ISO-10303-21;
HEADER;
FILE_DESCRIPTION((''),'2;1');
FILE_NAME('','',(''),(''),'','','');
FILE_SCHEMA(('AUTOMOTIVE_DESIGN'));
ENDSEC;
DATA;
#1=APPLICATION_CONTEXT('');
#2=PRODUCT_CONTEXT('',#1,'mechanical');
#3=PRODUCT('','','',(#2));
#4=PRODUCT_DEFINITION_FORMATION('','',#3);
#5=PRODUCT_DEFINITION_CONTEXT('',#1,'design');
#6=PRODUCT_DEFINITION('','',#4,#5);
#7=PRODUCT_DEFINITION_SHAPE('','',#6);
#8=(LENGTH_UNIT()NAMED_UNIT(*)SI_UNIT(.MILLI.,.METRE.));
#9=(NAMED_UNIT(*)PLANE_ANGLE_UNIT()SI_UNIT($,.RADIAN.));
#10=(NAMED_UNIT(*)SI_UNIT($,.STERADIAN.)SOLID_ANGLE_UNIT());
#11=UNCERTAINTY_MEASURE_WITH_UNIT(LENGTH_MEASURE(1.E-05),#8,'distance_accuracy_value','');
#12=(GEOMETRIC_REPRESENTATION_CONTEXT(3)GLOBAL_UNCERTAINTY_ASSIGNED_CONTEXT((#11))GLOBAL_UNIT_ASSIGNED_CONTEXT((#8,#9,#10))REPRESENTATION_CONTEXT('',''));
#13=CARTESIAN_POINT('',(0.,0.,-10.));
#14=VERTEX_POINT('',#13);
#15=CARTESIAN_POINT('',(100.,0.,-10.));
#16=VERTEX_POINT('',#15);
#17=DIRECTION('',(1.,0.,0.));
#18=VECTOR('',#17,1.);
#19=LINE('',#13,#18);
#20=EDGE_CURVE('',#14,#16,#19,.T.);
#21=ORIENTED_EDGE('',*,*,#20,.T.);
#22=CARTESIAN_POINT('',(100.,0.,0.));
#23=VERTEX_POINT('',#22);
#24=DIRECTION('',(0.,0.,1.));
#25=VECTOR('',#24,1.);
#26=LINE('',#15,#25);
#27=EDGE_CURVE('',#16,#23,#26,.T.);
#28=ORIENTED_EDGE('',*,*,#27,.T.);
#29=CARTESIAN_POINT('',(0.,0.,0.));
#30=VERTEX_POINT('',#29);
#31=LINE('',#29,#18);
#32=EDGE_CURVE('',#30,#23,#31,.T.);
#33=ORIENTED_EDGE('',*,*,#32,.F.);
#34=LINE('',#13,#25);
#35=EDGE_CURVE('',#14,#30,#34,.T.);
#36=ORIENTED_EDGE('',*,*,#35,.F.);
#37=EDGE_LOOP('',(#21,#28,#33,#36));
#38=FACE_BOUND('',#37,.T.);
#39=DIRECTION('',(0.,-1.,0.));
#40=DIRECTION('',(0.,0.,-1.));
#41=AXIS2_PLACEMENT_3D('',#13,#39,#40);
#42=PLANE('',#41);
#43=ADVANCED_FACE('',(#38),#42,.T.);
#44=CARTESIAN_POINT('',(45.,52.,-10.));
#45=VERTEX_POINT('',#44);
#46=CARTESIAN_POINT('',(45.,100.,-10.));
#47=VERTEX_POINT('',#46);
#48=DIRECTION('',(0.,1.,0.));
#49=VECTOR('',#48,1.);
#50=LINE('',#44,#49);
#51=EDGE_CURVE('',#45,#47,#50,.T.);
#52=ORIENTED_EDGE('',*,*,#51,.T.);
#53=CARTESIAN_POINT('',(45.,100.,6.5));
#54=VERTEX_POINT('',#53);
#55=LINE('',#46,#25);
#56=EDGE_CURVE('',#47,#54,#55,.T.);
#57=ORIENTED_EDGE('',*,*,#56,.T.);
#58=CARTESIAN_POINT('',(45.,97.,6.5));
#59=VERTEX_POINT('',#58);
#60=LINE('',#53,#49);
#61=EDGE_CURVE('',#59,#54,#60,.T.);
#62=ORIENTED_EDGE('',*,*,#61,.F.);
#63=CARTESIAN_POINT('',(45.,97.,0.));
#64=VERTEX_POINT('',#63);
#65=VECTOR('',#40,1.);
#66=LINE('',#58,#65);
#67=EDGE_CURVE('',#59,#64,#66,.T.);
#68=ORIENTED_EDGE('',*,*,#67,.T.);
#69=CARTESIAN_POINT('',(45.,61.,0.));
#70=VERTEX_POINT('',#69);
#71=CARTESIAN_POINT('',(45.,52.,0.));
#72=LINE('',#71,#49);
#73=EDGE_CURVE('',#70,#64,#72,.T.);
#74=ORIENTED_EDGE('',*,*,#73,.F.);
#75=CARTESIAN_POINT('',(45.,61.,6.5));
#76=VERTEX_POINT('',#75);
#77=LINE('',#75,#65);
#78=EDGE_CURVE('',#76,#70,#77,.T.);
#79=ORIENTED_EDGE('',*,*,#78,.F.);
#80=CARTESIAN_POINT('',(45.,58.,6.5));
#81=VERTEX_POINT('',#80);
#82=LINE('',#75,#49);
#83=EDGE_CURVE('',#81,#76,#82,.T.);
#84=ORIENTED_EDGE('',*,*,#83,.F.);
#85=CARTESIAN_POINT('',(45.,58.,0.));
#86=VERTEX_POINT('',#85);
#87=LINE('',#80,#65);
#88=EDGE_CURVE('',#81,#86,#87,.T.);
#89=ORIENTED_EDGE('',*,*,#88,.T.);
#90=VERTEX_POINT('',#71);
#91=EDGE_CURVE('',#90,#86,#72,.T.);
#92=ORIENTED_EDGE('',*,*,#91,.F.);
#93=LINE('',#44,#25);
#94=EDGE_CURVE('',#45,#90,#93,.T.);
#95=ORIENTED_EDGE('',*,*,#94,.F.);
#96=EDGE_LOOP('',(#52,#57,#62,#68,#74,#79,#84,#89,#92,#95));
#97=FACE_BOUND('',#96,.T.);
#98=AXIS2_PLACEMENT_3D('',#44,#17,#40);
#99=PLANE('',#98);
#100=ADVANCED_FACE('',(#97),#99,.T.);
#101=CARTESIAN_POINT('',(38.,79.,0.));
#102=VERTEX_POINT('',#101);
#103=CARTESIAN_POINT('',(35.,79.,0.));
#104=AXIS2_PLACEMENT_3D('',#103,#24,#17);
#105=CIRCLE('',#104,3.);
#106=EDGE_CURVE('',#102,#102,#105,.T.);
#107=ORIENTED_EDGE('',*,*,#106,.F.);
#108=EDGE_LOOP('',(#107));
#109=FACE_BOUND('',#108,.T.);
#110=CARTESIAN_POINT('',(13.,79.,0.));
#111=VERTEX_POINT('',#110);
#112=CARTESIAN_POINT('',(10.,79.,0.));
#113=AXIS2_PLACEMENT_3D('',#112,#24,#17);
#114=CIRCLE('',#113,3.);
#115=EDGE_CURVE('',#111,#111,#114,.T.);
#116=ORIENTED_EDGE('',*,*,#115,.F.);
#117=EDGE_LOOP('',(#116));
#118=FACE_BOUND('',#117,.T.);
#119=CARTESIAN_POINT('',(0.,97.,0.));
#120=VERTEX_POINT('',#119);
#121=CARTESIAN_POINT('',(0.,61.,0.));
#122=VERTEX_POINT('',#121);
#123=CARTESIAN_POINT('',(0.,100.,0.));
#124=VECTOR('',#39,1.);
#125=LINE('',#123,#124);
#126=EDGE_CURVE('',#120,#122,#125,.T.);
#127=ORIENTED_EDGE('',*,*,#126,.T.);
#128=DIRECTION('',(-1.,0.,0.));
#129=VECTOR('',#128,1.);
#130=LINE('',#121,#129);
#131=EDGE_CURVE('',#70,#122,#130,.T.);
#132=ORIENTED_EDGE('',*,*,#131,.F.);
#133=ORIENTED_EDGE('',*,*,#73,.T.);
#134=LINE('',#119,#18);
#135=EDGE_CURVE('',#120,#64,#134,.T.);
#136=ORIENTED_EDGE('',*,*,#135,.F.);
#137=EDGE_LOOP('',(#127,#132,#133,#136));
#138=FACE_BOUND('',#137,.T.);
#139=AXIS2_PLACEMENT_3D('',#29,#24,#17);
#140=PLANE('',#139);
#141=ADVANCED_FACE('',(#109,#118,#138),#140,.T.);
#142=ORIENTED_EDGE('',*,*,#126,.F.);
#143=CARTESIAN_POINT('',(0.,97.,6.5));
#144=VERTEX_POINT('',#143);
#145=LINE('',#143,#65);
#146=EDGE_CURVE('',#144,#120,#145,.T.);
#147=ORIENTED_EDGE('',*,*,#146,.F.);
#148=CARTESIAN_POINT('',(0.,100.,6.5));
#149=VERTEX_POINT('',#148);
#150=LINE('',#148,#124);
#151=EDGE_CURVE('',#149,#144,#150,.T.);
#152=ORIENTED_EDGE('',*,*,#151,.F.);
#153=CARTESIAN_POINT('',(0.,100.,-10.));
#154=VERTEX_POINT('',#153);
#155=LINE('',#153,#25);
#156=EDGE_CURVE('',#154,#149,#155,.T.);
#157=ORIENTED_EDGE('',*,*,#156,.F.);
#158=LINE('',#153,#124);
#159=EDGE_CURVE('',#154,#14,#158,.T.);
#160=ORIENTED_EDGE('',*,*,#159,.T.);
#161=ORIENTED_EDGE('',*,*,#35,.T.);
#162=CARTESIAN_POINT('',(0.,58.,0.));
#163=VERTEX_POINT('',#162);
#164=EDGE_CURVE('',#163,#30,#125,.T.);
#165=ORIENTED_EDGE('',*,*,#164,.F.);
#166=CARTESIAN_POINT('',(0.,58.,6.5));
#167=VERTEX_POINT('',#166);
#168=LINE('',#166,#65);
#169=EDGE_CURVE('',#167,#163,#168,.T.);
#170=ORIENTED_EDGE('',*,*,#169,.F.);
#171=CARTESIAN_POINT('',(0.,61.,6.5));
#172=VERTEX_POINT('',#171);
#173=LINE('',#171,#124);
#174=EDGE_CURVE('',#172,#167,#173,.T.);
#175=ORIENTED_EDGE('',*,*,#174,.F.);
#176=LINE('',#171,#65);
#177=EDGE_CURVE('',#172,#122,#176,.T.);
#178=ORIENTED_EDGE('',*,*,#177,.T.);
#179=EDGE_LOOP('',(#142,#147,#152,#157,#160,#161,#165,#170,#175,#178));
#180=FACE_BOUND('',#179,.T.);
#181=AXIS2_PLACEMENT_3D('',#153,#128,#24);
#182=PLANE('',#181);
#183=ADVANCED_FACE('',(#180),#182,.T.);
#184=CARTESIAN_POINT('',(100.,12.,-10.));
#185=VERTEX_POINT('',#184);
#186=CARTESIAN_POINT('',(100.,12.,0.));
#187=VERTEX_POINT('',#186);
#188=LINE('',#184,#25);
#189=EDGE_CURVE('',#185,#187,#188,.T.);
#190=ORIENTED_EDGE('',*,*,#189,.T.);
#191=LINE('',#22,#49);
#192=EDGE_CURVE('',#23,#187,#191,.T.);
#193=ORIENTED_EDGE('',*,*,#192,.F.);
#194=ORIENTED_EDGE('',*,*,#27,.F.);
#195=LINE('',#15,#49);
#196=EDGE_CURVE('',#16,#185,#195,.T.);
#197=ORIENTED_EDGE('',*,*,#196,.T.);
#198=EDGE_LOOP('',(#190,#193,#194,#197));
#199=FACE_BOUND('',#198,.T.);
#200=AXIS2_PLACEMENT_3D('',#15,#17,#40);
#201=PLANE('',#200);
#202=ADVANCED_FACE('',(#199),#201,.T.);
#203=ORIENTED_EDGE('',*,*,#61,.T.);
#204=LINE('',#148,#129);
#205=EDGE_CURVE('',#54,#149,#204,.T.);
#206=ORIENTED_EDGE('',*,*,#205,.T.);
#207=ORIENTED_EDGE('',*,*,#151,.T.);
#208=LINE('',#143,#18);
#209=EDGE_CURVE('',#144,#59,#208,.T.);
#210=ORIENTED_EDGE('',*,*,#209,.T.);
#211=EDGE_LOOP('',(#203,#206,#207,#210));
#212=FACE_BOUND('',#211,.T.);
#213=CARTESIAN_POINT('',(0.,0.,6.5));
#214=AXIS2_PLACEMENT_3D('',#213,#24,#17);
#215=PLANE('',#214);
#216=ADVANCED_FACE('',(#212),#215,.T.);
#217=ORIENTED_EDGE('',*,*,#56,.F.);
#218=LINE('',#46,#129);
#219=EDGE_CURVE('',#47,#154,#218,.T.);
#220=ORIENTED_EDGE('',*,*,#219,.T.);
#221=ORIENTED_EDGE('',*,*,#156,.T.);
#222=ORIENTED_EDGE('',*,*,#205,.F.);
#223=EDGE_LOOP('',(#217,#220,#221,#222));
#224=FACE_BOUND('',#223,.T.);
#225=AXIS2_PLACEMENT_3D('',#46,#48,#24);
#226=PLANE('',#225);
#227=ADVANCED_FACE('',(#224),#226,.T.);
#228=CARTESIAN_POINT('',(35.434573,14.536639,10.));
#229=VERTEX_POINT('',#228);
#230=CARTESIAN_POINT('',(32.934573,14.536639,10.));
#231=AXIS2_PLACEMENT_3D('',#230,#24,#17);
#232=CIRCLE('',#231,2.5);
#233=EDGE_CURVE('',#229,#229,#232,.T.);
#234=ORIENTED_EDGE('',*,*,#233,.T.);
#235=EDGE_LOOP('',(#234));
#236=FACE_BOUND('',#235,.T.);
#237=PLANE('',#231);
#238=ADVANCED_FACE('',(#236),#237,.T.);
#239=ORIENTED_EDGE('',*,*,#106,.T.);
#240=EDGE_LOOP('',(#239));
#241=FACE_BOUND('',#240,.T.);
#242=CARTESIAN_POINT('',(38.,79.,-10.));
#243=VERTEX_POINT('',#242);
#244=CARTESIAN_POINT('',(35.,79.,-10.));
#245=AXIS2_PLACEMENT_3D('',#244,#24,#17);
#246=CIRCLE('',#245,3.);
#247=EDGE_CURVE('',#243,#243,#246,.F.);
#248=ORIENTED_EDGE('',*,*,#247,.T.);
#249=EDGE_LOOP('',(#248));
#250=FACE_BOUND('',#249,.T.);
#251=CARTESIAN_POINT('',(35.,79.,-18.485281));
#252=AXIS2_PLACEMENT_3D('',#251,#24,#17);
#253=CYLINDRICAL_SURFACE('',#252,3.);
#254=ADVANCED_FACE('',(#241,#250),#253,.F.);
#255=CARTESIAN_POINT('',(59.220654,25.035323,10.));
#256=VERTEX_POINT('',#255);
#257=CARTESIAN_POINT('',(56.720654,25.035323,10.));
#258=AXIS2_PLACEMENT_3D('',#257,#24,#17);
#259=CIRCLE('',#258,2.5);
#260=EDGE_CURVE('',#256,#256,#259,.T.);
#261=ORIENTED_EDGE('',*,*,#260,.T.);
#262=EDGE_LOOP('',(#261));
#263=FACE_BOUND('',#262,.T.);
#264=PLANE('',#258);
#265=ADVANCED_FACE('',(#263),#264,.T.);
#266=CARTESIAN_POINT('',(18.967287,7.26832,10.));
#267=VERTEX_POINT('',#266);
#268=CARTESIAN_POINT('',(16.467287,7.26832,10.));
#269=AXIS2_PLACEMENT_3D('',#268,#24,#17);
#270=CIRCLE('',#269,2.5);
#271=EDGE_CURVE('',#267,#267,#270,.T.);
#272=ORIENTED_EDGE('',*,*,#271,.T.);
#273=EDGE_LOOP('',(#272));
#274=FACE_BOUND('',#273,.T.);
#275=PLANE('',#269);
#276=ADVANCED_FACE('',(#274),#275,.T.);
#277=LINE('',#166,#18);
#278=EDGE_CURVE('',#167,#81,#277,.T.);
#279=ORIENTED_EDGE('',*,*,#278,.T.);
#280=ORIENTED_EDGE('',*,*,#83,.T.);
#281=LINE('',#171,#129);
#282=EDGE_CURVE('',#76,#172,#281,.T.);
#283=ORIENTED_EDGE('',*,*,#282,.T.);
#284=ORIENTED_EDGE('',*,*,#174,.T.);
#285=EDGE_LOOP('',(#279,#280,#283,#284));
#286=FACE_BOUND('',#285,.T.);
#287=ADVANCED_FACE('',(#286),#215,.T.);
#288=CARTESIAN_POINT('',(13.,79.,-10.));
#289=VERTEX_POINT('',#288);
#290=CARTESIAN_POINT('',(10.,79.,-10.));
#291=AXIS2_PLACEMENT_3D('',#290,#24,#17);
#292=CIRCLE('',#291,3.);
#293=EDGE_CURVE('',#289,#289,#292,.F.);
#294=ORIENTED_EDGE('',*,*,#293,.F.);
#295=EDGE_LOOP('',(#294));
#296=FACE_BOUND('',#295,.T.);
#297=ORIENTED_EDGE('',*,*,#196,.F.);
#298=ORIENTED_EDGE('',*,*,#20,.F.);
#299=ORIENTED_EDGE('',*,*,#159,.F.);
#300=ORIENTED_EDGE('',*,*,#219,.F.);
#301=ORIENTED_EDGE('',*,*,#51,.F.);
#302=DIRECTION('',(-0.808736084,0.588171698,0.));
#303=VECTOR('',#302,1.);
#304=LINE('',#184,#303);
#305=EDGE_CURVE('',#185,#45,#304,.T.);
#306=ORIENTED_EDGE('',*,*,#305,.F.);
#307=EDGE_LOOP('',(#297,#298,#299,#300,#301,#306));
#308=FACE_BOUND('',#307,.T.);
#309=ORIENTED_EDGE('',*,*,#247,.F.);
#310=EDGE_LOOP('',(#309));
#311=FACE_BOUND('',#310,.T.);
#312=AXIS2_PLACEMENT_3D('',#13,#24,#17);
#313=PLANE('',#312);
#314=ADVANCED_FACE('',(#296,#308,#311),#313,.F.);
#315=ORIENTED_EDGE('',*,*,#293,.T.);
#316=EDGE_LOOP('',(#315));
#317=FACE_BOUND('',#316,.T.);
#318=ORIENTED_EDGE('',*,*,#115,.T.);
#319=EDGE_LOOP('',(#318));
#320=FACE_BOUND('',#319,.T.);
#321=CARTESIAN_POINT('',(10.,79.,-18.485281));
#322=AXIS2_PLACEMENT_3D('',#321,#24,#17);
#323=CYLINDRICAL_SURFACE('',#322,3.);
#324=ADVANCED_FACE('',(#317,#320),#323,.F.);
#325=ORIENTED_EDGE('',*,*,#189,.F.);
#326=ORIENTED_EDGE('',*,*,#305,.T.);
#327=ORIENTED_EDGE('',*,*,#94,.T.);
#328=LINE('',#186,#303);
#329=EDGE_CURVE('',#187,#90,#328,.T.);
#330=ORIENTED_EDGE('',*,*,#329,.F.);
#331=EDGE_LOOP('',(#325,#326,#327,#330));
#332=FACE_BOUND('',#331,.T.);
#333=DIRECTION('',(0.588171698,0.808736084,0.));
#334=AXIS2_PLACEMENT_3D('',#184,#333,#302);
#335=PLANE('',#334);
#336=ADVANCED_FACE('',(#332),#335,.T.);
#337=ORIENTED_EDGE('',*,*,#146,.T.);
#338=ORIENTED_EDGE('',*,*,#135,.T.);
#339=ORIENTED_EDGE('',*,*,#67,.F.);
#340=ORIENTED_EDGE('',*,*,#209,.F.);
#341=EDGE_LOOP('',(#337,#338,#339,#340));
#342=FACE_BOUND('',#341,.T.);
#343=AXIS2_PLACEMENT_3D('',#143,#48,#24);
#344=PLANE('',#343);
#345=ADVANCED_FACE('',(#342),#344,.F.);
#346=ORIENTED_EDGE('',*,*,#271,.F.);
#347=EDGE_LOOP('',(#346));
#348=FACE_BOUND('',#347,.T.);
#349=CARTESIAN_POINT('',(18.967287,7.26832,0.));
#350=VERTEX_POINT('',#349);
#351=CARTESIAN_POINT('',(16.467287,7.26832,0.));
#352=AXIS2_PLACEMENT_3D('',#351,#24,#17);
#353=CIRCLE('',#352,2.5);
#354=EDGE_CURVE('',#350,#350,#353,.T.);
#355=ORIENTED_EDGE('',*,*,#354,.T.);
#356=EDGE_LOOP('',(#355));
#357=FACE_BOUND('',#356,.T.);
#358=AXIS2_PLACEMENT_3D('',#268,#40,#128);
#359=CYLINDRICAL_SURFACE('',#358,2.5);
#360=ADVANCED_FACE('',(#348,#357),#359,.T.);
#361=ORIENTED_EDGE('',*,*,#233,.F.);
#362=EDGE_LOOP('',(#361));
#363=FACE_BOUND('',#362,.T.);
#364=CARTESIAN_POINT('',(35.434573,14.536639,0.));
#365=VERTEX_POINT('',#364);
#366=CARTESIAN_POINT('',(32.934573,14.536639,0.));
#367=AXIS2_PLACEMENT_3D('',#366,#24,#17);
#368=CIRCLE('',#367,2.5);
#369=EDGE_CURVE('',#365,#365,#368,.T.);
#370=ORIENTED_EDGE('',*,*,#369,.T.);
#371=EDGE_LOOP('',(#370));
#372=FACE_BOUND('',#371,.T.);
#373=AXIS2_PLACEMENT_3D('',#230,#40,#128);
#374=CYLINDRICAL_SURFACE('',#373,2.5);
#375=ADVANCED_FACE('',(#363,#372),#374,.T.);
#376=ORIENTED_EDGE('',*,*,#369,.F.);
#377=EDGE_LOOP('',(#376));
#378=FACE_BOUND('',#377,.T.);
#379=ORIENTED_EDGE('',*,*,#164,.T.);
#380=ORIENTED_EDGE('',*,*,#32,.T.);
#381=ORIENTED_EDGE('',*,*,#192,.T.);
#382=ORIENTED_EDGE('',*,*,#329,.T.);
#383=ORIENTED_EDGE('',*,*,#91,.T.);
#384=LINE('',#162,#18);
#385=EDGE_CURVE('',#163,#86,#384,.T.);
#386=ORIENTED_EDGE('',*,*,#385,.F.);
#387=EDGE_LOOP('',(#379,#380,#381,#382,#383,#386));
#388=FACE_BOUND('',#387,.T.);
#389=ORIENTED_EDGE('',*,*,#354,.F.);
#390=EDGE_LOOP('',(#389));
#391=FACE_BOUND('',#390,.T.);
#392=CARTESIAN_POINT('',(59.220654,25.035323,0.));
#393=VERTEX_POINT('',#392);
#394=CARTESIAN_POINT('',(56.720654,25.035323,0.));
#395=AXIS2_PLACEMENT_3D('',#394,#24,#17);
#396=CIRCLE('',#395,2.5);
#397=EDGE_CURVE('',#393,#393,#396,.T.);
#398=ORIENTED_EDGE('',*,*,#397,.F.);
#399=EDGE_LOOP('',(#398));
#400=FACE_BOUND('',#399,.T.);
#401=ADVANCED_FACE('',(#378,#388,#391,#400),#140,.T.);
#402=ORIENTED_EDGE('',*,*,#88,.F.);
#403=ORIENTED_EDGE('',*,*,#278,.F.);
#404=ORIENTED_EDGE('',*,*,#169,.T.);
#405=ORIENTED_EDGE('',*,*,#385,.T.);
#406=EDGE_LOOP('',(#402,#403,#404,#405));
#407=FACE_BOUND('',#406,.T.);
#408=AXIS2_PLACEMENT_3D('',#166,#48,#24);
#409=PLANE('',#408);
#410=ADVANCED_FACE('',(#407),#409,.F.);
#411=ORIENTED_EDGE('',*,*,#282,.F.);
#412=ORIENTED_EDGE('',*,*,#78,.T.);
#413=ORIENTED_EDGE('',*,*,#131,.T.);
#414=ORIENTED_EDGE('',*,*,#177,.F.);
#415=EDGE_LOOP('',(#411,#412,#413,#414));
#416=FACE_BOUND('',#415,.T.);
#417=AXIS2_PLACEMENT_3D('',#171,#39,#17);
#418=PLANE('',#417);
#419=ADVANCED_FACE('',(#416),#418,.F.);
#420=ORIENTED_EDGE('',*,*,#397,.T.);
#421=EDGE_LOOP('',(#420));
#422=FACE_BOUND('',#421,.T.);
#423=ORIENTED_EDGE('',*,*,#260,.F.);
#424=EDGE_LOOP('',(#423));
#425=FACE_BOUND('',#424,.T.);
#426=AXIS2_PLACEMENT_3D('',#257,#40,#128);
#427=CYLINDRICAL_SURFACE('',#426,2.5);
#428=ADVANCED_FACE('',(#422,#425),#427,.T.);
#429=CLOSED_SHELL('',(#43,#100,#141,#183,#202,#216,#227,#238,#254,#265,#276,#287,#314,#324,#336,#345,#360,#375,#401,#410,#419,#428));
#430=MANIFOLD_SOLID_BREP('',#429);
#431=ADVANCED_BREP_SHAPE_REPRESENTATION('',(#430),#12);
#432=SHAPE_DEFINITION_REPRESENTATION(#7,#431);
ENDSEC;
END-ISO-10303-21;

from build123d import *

# Parameters (mm, degrees)
BOSS_EXTRUDE1_DEPTH = 10
SKETCH3_W           = 45
SKETCH3_H           = 3
BOSS_EXTRUDE2_DEPTH = 6.5
SKETCH4_R           = 3
CUT_EXTRUDE2_DEPTH  = 10
SKETCH5_R           = 2.5
BOSS_EXTRUDE3_DEPTH = 10


with BuildPart() as part:
    # Sketch2 → Boss-Extrude1 (new body)
    with BuildSketch(Plane.XY):
        Polygon((0, 0), (100, 0), (100, 12), (45, 52), (45, 100), (0, 100), align=None)
    extrude(amount=-BOSS_EXTRUDE1_DEPTH)

    # Sketch3 → Boss-Extrude2 (add)
    with BuildSketch(Plane.XY):
        with Locations((22.5, 98.5)):
            Rectangle(SKETCH3_W, SKETCH3_H)
        with Locations((22.5, 59.5)):
            Rectangle(SKETCH3_W, SKETCH3_H)
    extrude(amount=BOSS_EXTRUDE2_DEPTH)

    # Sketch4 → Cut-Extrude2 (cut)
    with BuildSketch(Plane.XY):
        with Locations((10, 79)):
            Circle(SKETCH4_R)
        with Locations((35, 79)):
            Circle(SKETCH4_R)
    extrude(amount=-CUT_EXTRUDE2_DEPTH, mode=Mode.SUBTRACT)

    # Sketch5 → Boss-Extrude3 (add)
    with BuildSketch(Plane.XY):
        with Locations((16.467286656, 7.268319627)):
            Circle(SKETCH5_R)
        with Locations((32.934573311, 14.536639255)):
            Circle(SKETCH5_R)
        with Locations((56.720654036, 25.035323161)):
            Circle(SKETCH5_R)
    extrude(amount=BOSS_EXTRUDE3_DEPTH)


solid = part.part
